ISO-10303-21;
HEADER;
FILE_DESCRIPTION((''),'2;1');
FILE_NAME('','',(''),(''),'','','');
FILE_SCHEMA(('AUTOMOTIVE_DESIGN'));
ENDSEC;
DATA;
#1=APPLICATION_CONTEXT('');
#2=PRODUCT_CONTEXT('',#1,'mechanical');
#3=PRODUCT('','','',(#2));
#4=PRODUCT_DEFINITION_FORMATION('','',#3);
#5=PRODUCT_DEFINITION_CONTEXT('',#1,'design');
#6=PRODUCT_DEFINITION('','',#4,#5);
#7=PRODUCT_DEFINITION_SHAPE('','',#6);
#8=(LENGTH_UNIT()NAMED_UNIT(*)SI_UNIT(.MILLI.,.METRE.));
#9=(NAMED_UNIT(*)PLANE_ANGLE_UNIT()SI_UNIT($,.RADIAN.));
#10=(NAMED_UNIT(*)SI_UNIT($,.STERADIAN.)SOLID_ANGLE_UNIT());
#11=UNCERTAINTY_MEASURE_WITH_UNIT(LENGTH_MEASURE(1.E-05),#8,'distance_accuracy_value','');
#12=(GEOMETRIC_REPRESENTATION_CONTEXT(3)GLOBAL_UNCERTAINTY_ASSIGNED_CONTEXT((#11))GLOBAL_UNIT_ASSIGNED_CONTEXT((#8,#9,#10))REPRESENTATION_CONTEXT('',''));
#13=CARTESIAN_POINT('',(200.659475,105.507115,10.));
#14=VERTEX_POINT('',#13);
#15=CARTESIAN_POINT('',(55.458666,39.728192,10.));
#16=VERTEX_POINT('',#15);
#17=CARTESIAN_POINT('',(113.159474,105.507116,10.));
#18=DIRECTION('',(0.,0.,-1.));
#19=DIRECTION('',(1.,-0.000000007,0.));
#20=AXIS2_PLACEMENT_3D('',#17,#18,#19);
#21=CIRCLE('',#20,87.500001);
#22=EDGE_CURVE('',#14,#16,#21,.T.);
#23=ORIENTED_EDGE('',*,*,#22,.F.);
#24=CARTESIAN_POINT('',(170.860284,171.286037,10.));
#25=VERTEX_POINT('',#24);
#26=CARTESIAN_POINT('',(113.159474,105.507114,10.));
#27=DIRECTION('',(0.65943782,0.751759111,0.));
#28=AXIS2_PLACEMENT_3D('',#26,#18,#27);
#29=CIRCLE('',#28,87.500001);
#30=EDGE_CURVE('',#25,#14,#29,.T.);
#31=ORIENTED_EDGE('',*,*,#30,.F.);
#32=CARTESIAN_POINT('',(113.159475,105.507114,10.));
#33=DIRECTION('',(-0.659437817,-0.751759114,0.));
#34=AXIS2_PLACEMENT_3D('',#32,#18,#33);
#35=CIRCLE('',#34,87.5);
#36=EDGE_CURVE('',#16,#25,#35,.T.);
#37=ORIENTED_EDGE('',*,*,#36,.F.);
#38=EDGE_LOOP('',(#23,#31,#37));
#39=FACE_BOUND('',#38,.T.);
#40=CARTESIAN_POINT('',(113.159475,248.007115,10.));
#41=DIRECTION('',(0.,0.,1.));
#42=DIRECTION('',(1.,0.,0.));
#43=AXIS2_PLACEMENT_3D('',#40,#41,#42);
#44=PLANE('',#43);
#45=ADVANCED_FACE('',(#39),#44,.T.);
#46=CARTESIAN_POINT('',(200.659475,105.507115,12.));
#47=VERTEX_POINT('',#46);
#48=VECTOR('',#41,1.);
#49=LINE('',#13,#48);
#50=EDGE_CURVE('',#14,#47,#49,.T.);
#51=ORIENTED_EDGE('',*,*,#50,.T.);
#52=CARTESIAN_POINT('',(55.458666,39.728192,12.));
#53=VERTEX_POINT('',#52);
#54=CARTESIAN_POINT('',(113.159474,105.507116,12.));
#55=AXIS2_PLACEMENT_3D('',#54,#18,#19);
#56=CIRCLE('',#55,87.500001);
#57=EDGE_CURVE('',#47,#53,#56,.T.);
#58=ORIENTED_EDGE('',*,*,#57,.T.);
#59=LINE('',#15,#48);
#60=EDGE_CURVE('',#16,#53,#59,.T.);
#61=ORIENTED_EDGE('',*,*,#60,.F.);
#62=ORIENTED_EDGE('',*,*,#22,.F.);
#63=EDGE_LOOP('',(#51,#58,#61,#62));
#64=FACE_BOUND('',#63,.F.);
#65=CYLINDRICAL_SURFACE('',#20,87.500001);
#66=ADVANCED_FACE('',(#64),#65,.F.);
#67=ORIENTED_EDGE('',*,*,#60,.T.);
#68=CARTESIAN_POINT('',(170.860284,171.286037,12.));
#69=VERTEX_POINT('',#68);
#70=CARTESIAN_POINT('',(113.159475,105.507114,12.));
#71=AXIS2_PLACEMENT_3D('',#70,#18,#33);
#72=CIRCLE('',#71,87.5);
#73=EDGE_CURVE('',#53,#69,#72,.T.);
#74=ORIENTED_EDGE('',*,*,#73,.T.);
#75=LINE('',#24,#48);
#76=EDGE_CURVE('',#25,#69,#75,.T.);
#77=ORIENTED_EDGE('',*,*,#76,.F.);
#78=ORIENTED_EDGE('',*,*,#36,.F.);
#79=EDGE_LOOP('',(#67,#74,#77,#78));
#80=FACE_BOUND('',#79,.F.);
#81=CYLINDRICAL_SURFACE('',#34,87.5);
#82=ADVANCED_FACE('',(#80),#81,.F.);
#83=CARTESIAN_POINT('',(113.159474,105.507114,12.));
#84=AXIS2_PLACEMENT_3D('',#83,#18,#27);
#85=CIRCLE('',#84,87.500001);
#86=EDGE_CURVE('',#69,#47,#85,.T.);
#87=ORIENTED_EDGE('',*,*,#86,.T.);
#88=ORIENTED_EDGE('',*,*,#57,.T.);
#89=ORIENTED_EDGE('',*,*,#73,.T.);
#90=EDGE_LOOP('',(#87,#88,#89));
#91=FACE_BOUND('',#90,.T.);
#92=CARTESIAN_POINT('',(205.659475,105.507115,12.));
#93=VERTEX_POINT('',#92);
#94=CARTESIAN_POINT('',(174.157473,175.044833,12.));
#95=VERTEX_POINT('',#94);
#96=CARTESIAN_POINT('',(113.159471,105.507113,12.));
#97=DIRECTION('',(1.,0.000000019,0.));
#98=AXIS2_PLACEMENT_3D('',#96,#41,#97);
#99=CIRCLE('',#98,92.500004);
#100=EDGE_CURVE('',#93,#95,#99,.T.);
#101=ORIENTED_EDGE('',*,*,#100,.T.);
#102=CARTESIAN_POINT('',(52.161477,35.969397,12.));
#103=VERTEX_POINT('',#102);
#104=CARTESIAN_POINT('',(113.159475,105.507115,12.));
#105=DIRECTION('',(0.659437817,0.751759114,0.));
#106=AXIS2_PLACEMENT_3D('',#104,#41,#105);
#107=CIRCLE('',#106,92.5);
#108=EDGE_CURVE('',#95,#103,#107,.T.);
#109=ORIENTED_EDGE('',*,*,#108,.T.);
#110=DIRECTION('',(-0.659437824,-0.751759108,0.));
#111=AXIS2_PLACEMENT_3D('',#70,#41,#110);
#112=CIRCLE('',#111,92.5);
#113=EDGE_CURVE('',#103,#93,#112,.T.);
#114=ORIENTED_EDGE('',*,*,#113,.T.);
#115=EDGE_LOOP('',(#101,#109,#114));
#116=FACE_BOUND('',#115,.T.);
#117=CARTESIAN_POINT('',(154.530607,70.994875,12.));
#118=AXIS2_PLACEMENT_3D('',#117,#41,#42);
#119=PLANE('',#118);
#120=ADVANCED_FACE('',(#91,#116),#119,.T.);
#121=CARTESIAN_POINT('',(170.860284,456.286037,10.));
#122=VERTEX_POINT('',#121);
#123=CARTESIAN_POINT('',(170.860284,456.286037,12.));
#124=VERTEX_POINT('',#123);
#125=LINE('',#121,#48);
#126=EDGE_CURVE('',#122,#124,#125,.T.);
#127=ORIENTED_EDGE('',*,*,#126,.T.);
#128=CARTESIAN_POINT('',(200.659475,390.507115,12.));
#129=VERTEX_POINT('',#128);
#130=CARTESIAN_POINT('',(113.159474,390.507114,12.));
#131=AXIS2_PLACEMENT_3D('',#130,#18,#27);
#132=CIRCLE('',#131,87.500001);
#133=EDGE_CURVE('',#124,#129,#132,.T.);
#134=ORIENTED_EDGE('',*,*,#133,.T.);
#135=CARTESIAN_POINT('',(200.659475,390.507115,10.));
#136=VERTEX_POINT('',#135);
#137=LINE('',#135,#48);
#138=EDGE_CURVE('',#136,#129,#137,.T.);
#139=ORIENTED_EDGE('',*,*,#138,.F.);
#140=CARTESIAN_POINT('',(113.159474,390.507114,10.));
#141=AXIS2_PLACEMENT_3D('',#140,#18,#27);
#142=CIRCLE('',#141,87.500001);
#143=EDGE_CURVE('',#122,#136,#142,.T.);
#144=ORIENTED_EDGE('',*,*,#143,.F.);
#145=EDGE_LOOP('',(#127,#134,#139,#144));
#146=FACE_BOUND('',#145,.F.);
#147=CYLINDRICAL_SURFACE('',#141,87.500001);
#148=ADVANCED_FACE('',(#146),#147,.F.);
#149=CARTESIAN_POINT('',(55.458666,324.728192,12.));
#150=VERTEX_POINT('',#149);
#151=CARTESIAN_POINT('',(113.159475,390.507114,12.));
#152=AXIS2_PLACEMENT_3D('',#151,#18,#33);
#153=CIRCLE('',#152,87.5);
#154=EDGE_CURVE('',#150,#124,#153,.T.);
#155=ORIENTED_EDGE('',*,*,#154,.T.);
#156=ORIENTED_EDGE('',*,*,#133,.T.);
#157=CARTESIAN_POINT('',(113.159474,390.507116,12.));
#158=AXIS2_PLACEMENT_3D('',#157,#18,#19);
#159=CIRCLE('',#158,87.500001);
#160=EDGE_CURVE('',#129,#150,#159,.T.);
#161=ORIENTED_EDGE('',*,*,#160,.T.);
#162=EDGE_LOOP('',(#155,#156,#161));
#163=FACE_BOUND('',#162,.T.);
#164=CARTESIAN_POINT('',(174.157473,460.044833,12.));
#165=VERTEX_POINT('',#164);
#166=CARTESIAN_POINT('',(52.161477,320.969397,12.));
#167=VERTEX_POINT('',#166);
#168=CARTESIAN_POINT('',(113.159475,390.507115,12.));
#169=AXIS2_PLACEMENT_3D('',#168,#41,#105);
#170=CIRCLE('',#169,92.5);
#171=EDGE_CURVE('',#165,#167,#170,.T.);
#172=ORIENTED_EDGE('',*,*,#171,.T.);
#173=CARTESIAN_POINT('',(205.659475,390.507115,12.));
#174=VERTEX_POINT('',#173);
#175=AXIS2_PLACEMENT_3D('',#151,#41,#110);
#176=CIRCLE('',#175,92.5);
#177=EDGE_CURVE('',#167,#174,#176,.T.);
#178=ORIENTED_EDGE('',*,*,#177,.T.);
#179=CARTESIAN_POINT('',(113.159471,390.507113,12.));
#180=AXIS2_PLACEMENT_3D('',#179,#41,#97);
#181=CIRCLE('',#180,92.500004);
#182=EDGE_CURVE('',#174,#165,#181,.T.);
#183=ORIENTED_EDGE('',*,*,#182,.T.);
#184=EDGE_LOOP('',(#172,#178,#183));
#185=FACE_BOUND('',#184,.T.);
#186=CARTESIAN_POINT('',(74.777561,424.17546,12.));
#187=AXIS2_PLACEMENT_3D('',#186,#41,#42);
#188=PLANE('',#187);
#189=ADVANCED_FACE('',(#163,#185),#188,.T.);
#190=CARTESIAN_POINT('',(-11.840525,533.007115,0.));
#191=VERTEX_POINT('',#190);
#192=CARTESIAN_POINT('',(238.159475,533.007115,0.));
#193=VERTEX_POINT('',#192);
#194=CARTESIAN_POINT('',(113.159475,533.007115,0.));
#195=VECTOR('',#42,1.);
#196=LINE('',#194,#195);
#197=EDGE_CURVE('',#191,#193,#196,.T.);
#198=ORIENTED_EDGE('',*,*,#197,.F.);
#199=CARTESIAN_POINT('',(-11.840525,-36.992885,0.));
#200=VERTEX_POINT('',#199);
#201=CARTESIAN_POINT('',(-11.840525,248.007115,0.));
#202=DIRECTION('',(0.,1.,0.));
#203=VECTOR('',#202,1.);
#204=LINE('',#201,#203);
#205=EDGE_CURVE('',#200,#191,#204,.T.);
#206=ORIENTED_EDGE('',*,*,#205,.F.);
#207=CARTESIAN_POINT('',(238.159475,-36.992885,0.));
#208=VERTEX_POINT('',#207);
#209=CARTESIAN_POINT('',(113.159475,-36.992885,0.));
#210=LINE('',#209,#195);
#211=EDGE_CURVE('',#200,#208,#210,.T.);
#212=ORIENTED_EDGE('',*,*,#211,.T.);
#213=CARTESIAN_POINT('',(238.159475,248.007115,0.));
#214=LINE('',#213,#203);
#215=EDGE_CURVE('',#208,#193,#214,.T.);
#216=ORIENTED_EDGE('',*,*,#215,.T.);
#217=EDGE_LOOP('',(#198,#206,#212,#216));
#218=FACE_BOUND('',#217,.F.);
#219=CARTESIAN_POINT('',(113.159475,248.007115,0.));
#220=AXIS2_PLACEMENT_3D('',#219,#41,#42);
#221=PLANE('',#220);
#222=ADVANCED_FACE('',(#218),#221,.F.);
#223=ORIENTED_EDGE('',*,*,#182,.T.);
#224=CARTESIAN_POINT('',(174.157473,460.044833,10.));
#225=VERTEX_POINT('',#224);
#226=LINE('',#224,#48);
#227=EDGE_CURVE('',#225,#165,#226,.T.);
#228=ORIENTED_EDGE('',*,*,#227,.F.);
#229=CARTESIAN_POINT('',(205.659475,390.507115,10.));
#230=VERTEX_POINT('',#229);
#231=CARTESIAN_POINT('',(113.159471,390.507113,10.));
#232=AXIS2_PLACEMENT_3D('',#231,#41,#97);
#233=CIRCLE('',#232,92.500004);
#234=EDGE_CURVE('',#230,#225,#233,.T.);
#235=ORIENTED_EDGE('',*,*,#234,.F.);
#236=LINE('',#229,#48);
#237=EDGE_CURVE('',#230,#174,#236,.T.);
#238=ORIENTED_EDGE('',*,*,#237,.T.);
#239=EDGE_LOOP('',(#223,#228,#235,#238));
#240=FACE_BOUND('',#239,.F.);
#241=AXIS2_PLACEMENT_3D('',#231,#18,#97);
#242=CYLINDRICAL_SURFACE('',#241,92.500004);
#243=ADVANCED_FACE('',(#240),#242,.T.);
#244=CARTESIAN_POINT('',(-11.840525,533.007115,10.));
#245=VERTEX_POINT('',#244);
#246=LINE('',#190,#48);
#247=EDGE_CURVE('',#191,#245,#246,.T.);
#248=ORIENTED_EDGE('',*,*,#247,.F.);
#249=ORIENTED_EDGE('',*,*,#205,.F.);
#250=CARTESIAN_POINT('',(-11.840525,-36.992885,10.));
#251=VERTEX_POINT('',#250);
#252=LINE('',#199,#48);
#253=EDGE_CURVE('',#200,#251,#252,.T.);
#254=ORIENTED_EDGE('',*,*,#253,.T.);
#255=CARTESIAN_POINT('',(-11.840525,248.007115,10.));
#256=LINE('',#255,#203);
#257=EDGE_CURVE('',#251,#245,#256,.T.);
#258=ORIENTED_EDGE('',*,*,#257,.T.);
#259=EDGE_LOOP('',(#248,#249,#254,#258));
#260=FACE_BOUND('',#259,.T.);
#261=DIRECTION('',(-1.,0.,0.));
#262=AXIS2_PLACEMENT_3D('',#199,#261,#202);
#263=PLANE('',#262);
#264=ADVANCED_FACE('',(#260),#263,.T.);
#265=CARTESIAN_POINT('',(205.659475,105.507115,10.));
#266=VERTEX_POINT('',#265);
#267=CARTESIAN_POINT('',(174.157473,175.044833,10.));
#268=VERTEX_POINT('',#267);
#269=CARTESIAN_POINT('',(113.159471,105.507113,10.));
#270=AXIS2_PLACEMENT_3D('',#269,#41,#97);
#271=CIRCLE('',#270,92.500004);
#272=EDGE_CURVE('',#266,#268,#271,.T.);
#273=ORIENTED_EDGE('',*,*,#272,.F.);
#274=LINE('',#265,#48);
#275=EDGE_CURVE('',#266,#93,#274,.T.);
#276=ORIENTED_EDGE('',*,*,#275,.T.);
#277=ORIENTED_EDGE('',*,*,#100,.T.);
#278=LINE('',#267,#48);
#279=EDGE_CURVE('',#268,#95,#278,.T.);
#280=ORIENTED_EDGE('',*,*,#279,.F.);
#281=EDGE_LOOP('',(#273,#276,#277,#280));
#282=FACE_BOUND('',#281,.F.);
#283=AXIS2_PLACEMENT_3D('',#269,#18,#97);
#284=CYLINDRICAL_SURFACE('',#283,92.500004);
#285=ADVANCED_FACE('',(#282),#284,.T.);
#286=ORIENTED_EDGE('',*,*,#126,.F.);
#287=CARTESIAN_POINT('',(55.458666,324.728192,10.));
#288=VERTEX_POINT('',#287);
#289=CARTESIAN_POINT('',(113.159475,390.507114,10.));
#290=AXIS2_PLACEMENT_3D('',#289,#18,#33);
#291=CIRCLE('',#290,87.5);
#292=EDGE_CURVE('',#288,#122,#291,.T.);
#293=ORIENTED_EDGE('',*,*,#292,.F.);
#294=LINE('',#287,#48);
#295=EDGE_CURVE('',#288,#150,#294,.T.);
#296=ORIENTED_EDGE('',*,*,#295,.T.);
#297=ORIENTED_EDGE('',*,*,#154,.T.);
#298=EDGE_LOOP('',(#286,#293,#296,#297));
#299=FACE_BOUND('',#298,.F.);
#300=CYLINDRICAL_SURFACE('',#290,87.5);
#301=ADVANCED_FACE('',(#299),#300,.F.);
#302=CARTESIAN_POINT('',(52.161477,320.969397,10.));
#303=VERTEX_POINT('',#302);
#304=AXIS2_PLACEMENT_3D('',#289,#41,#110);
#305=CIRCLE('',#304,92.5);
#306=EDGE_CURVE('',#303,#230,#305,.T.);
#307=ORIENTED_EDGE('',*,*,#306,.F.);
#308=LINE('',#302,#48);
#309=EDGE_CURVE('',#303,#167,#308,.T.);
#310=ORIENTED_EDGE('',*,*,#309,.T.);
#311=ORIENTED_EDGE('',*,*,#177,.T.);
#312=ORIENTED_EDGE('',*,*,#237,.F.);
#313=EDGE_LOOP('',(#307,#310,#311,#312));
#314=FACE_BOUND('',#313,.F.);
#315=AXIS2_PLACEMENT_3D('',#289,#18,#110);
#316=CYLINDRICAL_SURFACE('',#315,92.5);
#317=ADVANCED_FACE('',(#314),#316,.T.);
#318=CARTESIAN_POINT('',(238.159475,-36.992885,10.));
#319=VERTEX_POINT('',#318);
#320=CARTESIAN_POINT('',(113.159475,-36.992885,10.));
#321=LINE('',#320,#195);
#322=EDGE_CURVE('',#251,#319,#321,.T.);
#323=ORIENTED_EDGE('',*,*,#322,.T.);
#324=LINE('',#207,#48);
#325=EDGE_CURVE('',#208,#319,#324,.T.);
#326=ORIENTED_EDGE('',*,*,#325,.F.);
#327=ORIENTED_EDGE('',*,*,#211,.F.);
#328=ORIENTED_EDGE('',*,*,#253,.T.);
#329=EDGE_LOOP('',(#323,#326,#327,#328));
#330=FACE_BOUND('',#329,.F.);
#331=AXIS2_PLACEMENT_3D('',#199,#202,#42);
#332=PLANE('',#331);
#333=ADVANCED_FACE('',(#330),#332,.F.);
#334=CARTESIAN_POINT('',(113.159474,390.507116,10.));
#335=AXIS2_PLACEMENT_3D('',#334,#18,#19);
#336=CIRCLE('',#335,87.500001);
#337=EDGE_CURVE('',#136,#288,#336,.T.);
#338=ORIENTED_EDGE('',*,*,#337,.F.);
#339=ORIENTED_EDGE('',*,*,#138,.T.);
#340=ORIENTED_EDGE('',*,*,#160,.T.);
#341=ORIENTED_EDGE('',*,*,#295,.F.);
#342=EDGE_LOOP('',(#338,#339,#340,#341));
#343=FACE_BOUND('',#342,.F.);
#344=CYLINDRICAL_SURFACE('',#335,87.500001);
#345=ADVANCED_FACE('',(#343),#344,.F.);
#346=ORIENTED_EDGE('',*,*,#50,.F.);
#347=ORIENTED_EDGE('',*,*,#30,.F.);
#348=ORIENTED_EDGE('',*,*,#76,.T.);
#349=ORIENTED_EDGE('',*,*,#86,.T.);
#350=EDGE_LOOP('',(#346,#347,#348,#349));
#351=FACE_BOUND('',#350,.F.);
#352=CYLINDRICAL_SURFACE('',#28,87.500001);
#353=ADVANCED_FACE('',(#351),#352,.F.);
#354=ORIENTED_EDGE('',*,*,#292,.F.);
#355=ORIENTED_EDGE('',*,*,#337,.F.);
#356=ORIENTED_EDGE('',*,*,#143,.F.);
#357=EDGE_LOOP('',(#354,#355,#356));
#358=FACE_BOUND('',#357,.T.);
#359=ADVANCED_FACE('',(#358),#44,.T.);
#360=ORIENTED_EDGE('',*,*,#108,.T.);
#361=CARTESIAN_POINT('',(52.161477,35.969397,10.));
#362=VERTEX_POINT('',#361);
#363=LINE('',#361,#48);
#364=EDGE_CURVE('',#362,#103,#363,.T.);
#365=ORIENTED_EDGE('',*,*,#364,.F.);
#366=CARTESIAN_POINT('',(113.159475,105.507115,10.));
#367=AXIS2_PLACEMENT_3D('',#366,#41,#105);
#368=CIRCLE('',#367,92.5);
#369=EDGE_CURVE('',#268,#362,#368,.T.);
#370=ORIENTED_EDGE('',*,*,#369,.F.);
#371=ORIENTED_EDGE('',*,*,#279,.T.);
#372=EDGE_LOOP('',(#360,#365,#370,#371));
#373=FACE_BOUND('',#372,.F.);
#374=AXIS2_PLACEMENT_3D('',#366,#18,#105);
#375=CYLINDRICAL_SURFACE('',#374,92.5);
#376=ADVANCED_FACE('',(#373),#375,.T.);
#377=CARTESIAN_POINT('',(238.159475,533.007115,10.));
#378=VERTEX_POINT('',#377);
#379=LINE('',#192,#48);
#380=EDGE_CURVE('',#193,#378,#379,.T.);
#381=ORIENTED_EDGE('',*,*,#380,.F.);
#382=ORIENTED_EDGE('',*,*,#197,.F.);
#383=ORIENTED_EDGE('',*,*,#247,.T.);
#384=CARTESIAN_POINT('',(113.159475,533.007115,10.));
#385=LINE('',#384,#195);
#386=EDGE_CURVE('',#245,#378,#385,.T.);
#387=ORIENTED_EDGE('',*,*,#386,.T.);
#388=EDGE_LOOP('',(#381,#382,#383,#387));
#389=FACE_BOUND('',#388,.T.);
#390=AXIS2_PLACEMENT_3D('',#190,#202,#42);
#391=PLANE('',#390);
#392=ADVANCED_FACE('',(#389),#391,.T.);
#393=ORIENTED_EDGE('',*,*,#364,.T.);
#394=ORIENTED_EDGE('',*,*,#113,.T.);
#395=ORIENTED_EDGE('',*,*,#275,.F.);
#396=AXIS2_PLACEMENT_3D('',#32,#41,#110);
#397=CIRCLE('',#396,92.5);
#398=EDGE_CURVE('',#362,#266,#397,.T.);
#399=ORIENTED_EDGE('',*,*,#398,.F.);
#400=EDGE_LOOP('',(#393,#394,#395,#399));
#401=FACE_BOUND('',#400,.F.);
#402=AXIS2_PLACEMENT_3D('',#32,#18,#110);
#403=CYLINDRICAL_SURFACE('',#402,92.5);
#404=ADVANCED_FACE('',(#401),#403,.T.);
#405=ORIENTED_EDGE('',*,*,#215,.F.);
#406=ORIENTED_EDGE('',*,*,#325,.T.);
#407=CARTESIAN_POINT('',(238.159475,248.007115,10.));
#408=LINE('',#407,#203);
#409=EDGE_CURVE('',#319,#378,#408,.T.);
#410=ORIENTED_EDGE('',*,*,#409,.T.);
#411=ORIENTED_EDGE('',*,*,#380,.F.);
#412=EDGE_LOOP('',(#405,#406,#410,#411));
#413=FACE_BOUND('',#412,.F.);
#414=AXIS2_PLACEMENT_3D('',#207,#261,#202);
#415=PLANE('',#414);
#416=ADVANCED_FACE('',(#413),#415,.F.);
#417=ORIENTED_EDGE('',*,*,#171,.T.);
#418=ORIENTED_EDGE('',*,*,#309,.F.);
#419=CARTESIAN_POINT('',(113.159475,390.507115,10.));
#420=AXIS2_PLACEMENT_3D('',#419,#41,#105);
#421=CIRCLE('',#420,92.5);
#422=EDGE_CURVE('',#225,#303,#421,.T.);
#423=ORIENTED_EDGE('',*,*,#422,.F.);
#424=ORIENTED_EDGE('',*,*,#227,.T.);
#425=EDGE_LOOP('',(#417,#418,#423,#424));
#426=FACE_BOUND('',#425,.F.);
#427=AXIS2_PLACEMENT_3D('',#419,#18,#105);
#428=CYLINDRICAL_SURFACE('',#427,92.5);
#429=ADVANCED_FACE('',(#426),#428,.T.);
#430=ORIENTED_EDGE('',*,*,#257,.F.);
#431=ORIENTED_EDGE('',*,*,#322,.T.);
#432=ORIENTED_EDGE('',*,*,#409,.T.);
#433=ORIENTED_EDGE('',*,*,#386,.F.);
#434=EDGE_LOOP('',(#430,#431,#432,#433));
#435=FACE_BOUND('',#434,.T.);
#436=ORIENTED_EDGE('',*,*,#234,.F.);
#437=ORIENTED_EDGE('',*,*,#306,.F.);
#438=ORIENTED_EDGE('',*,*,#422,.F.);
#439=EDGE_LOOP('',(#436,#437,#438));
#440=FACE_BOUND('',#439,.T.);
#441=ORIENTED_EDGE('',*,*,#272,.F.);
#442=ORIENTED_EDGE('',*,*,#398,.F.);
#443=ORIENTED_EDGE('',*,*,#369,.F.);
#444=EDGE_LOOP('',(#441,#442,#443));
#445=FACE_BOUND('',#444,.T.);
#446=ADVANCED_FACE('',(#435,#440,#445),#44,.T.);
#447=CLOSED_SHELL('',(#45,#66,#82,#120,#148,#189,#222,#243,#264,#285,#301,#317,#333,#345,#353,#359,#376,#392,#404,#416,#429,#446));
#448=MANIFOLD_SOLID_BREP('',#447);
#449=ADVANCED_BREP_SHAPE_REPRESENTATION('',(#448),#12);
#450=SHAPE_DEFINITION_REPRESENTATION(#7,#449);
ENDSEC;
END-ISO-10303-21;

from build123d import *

# Parameters (mm, degrees)
F0_W     = 250
F0_H     = 570
F1_DEPTH = 10
F3_DEPTH = 2


with BuildPart() as f1:
    # F0 (on Top) → F1 (new body)
    with BuildSketch(Plane.XY):
        with Locations((113.159475, 248.007115)):
            Rectangle(F0_W, F0_H)
    extrude(amount=F1_DEPTH)

    # F2 (on face) → F3 (join)
    with BuildSketch(Plane.XY.offset(10)):
        with BuildLine():
            ThreePointArc((174.157473, 460.044833), (43.621757, 451.505113), (52.161477, 320.969397))
            Line((52.161477, 320.969397), (55.458666, 324.728192))
            ThreePointArc((55.458666, 324.728192), (47.380553, 448.207924), (170.860284, 456.286037))
            Line((170.860284, 456.286037), (174.157473, 460.044833))
        make_face()
        with BuildLine():
            Line((55.458666, 324.728192), (52.161477, 320.969397))
            ThreePointArc((52.161477, 320.969397), (151.32972, 306.249875), (205.659475, 390.507115))
            ThreePointArc((205.659475, 390.507115), (197.416714, 428.67736), (174.157473, 460.044833))
            Line((174.157473, 460.044833), (170.860284, 456.286037))
            ThreePointArc((170.860284, 456.286037), (192.862269, 426.614103), (200.659475, 390.507115))
            ThreePointArc((200.659475, 390.507115), (149.266463, 310.804321), (55.458666, 324.728192))
        make_face()
        with BuildLine():
            ThreePointArc((205.659475, 105.507115), (197.416714, 143.67736), (174.157473, 175.044833))
            Line((174.157473, 175.044833), (170.860284, 171.286037))
            ThreePointArc((170.860284, 171.286037), (192.862269, 141.614103), (200.659475, 105.507115))
            ThreePointArc((200.659475, 105.507115), (149.266463, 25.804321), (55.458666, 39.728192))
            Line((55.458666, 39.728192), (52.161477, 35.969397))
            ThreePointArc((52.161477, 35.969397), (151.32972, 21.249875), (205.659475, 105.507115))
        make_face()
        with BuildLine():
            Line((170.860284, 171.286037), (174.157473, 175.044833))
            ThreePointArc((174.157473, 175.044833), (43.621757, 166.505113), (52.161477, 35.969397))
            Line((52.161477, 35.969397), (55.458666, 39.728192))
            ThreePointArc((55.458666, 39.728192), (47.380553, 163.207924), (170.860284, 171.286037))
        make_face()
    extrude(amount=F3_DEPTH)


solid = f1.part
